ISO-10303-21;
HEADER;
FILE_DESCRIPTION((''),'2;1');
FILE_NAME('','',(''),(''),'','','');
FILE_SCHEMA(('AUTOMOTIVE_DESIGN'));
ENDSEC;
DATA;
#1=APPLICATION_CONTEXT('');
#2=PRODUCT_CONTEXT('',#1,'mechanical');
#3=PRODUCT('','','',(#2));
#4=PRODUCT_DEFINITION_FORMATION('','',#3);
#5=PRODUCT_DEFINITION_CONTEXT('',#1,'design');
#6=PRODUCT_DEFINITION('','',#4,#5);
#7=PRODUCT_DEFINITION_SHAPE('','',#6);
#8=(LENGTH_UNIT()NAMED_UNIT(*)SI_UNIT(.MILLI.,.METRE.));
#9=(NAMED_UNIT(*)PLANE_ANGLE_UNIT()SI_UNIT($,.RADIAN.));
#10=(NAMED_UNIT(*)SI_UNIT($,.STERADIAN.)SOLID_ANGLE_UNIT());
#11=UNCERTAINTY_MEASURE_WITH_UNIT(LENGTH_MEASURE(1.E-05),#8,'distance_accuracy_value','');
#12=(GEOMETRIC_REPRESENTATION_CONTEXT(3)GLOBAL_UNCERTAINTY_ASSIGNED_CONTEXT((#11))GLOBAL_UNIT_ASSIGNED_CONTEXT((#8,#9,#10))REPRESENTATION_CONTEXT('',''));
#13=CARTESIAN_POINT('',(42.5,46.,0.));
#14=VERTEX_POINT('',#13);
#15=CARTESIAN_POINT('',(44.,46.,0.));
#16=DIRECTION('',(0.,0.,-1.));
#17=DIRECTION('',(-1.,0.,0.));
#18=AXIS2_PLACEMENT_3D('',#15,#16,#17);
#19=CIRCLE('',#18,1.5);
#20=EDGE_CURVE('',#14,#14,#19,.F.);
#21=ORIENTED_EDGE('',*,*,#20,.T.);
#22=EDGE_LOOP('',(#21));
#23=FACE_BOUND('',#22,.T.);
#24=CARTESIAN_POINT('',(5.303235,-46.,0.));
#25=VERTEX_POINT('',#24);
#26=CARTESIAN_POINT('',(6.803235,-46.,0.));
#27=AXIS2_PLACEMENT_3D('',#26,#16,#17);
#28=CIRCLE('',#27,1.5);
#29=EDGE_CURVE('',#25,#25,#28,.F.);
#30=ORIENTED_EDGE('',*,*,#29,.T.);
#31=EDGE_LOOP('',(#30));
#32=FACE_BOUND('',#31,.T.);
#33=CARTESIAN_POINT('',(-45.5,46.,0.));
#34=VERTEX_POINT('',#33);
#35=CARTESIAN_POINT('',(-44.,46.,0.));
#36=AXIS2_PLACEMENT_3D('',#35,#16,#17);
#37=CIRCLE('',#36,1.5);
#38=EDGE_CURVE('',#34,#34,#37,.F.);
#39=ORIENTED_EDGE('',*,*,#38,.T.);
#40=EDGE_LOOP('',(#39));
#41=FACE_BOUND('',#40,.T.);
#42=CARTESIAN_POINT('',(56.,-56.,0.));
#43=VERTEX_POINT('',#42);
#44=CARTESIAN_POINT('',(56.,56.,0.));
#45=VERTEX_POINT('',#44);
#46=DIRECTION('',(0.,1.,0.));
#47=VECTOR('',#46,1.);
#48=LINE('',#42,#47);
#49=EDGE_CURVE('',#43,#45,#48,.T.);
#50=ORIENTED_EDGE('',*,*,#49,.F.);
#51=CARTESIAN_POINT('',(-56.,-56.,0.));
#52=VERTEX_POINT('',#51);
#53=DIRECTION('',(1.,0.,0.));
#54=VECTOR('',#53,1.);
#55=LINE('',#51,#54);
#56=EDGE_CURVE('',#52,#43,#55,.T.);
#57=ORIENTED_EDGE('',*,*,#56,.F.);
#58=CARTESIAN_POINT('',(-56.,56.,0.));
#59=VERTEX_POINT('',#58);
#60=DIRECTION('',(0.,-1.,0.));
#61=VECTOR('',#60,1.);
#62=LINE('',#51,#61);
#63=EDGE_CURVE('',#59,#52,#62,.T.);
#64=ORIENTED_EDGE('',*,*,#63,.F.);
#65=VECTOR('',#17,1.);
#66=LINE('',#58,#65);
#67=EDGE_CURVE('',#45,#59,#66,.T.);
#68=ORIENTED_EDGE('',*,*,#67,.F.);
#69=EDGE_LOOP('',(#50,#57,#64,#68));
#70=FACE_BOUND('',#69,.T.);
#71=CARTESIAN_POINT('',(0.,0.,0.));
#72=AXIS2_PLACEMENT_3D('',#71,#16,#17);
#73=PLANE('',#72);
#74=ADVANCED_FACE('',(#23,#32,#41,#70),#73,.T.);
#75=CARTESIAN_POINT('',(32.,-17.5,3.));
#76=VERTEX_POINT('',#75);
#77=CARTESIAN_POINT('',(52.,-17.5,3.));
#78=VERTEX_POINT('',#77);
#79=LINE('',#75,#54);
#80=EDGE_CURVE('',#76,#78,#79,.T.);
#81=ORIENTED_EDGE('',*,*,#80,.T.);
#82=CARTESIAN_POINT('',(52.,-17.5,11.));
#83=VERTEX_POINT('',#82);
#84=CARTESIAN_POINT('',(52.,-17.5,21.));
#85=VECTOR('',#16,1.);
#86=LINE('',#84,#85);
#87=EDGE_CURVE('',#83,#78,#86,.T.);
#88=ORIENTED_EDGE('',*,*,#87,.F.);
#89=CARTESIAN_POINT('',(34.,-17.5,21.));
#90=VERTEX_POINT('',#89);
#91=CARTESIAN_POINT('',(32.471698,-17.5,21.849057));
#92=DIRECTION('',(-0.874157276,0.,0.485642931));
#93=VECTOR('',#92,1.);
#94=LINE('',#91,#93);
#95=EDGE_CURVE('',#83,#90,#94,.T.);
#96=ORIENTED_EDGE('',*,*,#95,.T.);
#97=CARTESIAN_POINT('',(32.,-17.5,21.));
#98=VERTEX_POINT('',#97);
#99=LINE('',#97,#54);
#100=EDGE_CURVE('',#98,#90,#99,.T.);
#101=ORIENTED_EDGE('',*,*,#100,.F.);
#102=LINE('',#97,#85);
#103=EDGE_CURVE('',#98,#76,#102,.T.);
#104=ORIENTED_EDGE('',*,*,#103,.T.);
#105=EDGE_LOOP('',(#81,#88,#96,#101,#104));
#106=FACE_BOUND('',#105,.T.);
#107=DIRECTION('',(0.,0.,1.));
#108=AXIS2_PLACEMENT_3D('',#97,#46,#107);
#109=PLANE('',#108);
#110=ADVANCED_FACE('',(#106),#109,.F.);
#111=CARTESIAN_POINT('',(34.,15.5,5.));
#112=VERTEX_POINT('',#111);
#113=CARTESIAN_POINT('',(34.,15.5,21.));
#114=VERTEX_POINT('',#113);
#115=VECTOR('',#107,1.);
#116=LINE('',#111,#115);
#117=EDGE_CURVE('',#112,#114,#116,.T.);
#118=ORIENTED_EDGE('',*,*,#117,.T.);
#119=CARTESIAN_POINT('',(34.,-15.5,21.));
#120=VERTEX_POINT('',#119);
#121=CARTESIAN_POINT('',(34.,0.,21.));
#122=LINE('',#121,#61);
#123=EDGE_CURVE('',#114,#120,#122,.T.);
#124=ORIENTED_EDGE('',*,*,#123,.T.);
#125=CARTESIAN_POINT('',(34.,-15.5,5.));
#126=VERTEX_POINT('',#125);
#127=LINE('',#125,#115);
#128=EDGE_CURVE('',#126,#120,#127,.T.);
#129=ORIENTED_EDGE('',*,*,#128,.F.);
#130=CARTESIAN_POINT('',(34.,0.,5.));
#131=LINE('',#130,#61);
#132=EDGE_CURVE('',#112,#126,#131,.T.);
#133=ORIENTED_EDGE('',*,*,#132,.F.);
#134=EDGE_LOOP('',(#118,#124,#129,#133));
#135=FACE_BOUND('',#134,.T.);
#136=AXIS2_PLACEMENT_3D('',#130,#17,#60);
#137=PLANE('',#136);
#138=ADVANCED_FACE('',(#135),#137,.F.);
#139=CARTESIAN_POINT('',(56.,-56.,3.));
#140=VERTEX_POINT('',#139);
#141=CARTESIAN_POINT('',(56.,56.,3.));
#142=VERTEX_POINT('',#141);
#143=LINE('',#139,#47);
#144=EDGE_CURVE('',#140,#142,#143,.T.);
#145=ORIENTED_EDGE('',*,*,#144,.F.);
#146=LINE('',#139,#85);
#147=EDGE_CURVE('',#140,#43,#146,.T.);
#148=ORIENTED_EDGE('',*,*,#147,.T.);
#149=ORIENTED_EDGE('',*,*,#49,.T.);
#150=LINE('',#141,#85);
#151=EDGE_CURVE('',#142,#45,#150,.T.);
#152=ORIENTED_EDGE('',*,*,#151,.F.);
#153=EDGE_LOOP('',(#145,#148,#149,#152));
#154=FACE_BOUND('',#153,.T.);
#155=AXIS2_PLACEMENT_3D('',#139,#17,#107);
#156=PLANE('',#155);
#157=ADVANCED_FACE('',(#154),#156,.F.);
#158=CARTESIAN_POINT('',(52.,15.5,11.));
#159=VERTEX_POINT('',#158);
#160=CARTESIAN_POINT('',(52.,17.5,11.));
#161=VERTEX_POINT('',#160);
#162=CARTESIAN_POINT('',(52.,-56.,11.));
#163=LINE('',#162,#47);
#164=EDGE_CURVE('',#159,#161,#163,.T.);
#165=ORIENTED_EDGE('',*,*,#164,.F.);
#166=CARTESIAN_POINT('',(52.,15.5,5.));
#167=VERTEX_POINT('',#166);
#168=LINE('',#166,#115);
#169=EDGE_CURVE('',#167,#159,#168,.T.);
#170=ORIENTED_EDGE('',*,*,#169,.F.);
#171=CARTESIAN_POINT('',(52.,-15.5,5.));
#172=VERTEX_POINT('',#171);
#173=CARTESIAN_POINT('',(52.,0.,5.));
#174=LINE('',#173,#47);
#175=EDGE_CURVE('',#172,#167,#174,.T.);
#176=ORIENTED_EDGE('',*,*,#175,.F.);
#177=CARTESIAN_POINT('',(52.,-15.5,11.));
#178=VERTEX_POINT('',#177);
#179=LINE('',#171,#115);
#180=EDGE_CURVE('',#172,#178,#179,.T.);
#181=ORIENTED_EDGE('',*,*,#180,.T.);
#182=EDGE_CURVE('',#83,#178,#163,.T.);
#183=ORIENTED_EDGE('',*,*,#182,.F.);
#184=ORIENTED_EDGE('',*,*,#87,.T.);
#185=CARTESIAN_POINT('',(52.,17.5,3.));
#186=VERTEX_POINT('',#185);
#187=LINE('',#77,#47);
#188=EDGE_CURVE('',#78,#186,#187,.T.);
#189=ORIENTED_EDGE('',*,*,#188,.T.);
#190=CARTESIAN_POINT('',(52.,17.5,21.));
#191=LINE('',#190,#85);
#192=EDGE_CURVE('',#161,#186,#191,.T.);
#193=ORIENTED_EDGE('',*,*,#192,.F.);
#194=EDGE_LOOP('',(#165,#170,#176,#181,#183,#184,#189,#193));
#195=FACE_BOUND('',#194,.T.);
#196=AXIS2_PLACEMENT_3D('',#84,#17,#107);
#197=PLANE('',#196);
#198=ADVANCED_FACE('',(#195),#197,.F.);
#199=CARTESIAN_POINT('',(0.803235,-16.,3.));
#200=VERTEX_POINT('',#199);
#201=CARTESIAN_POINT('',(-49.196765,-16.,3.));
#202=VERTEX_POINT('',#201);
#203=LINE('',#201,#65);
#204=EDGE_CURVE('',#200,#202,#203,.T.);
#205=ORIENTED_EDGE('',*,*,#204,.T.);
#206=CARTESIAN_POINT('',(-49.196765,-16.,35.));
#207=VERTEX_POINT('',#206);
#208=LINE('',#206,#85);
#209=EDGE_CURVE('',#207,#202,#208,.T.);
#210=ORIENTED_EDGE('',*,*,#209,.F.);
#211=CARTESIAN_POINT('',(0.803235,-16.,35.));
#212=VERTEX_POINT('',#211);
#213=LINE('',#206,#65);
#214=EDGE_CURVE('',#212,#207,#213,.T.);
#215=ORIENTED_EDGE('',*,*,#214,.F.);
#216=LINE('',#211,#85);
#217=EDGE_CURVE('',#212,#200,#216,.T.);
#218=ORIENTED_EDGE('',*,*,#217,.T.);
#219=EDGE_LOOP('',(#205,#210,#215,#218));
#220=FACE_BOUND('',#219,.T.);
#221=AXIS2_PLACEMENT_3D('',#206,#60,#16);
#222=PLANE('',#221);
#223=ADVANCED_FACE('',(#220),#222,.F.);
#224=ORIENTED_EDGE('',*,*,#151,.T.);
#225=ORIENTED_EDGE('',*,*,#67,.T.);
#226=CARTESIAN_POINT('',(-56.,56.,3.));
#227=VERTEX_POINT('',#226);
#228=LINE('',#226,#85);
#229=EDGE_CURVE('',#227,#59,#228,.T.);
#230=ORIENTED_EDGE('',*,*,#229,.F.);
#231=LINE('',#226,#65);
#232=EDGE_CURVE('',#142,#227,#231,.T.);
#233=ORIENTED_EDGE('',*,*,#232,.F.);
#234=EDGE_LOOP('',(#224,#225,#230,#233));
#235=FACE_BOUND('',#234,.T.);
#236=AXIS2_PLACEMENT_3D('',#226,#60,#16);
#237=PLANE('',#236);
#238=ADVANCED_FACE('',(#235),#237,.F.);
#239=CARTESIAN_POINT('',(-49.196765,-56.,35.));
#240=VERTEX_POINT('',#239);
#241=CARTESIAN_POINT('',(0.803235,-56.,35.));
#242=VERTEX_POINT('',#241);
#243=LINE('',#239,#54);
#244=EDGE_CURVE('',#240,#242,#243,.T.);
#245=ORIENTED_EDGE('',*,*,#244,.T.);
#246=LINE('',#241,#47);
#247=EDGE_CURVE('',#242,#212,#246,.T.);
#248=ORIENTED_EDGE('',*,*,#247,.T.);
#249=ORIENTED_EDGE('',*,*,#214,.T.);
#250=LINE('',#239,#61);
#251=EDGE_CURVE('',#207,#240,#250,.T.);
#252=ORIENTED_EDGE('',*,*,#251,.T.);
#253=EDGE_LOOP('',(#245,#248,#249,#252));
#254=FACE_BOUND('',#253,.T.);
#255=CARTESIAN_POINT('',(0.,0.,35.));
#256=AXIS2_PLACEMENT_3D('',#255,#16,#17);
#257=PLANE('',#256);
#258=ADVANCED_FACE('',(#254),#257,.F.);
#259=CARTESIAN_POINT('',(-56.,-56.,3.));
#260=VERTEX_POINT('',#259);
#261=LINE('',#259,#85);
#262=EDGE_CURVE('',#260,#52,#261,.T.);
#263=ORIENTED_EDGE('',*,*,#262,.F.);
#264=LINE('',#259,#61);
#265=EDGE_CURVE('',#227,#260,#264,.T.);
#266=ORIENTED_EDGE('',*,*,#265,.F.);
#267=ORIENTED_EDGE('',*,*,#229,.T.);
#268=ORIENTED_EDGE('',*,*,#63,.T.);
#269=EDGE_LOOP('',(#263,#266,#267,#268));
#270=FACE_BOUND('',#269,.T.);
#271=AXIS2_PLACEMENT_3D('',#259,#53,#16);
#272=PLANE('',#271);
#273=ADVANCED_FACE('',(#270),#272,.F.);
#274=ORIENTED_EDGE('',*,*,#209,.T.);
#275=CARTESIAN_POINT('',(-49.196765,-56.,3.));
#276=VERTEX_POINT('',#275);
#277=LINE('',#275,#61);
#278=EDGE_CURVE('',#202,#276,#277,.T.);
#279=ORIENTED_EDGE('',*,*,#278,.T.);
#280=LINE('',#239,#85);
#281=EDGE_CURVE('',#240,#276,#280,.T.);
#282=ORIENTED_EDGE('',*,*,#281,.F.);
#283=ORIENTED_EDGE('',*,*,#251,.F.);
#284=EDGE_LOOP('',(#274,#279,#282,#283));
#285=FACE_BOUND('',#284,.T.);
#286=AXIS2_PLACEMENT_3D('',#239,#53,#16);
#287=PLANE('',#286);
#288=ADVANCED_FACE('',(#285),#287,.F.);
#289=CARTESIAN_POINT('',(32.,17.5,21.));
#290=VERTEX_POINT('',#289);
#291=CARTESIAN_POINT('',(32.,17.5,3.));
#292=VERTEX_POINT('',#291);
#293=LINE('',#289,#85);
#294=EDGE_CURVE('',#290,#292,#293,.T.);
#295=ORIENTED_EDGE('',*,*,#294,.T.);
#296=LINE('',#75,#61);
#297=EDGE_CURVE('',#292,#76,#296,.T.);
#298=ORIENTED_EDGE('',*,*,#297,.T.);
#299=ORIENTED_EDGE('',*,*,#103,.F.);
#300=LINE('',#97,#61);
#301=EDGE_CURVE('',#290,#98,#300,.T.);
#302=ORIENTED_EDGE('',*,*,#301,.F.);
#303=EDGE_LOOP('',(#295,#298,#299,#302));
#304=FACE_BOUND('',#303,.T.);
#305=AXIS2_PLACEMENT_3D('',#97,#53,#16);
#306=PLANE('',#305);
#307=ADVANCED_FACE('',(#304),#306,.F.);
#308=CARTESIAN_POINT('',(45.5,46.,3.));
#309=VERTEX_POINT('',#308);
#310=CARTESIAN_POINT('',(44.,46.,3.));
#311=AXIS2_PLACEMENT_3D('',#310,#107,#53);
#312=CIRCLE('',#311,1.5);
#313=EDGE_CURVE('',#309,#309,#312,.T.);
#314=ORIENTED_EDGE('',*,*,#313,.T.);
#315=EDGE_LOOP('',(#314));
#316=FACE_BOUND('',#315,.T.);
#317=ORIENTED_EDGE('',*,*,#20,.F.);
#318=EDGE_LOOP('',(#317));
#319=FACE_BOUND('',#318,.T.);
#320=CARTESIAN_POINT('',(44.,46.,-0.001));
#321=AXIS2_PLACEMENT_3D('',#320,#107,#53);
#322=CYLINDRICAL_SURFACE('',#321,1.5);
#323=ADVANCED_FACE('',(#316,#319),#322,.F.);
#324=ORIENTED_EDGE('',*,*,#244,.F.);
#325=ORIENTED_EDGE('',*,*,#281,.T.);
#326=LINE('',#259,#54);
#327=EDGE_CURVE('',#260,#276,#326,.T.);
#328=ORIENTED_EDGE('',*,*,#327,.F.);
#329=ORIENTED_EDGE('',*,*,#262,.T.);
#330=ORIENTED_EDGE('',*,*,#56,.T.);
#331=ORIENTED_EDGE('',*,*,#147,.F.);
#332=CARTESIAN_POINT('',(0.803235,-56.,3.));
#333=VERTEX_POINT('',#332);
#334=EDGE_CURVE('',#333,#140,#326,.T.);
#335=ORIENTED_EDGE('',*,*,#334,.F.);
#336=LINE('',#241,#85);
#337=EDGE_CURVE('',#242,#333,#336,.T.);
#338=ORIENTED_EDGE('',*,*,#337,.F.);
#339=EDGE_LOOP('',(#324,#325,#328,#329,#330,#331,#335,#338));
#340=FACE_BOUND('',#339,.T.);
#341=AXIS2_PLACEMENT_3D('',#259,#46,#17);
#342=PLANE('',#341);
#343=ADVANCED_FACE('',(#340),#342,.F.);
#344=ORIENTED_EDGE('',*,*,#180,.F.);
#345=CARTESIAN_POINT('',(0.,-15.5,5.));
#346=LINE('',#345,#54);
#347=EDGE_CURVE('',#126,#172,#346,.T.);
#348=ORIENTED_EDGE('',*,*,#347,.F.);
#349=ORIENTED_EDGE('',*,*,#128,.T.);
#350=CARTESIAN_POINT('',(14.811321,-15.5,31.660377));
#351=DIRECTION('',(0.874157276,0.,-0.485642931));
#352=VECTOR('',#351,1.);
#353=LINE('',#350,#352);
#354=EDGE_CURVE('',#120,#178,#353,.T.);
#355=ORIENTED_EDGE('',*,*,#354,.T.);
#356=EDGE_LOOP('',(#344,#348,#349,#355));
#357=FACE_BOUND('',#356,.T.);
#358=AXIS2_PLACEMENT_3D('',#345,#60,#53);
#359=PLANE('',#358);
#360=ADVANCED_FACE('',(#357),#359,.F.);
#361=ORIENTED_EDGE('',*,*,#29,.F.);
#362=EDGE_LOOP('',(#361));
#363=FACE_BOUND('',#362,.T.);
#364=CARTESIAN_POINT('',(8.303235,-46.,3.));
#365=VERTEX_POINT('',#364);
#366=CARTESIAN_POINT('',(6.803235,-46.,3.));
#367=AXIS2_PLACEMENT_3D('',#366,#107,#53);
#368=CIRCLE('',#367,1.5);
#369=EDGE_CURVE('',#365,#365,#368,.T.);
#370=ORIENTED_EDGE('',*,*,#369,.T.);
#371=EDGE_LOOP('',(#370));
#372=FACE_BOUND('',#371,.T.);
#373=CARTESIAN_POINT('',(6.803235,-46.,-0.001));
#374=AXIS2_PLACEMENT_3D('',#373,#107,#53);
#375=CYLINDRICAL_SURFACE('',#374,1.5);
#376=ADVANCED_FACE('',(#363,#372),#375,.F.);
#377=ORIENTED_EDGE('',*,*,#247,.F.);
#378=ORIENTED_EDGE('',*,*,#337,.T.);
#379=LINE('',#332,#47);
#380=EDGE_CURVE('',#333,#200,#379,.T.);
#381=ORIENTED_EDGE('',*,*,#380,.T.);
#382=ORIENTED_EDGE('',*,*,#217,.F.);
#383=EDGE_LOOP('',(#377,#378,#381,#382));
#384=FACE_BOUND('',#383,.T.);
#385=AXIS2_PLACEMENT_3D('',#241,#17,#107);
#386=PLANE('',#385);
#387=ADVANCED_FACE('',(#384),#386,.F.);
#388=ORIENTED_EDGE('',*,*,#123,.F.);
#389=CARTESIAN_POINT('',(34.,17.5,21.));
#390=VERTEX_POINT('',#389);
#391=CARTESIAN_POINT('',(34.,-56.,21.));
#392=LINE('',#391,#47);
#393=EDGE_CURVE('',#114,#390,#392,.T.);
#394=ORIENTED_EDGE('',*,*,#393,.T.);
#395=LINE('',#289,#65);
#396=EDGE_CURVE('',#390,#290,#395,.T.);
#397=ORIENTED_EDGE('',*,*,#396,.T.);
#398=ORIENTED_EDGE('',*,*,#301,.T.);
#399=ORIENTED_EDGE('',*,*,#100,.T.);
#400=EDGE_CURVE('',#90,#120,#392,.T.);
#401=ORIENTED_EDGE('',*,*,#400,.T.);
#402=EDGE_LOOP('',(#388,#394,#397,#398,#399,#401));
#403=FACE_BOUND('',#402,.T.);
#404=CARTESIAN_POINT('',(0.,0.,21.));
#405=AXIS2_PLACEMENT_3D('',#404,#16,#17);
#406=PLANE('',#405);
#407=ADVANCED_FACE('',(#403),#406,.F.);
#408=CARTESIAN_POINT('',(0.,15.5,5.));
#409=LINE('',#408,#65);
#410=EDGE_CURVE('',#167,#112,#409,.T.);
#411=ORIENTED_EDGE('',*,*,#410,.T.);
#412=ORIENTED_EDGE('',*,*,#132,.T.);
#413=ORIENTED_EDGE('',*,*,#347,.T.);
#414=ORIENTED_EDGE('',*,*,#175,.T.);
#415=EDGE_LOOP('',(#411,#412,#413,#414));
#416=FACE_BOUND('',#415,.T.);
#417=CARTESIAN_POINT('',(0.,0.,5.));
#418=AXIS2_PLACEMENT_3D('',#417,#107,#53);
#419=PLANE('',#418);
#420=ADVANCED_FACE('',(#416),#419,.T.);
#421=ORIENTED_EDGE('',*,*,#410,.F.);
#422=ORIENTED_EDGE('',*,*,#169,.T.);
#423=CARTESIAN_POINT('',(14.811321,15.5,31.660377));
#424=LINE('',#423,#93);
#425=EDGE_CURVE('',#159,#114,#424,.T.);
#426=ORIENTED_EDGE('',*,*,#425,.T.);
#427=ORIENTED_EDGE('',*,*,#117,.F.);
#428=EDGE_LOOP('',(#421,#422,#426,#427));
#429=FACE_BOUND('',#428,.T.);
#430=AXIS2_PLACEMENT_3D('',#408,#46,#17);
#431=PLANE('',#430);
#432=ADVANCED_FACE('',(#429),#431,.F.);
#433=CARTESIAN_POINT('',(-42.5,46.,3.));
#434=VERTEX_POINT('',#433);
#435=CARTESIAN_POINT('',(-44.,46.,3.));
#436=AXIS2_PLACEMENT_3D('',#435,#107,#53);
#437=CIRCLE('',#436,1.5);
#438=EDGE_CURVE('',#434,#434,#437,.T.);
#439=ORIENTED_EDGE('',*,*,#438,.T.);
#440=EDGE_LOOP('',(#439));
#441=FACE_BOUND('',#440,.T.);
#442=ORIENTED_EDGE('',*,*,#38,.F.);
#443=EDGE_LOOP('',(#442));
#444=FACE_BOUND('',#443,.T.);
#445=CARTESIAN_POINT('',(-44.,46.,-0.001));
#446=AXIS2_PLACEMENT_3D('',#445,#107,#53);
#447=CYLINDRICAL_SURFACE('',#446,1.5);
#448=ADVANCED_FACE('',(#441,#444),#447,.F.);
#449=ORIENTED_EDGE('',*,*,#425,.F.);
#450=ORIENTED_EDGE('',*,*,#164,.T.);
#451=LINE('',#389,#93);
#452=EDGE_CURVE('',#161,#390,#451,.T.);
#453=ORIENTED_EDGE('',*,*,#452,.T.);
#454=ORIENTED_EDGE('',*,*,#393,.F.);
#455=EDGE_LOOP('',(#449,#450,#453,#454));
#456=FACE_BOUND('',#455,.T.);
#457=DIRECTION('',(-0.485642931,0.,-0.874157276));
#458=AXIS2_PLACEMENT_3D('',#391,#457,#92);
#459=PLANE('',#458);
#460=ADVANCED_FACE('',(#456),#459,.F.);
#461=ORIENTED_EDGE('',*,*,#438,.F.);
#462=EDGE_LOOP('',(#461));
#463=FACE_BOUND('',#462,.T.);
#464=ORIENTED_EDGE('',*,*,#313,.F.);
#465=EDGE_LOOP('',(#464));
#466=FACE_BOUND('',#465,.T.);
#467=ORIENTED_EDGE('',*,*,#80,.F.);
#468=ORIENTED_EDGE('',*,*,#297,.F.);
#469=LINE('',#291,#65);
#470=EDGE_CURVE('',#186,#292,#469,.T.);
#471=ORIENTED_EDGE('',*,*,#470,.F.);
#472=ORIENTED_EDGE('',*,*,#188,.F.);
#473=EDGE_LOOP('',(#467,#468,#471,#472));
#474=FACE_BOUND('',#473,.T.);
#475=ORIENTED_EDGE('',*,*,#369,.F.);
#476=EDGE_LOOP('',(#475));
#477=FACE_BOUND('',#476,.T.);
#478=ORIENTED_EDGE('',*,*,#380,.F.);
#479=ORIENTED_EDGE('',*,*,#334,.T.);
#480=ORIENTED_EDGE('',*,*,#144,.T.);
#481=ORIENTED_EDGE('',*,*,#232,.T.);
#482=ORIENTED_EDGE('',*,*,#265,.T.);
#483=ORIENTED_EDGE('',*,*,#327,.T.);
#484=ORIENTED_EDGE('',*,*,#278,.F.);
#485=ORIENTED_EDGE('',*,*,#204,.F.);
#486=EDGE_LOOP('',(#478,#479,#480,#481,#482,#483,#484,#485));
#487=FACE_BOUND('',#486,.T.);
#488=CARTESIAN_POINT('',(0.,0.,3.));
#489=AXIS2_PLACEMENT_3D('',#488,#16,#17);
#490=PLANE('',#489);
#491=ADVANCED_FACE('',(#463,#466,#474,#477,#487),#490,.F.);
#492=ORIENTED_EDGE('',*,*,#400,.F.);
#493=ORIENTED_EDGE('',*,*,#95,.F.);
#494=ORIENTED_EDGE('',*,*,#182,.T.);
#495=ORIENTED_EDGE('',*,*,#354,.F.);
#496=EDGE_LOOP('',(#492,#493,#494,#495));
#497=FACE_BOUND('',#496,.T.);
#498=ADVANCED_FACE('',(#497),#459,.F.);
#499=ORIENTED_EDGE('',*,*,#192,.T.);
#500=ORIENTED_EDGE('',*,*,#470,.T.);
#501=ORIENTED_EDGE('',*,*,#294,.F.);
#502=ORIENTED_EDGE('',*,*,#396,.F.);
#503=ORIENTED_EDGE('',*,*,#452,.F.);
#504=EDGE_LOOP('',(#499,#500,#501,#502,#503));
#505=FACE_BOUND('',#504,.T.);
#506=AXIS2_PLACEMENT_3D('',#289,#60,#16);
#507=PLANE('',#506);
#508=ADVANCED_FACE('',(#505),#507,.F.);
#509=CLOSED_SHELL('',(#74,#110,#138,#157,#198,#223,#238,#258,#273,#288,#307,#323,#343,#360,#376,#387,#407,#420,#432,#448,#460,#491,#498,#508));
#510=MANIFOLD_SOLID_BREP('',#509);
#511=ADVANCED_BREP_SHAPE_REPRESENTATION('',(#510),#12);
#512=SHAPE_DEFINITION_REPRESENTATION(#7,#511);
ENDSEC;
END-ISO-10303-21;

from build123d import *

# Parameters (mm, degrees)
SKETCH1_W           = 112
SKETCH1_H           = 112
BOSS_EXTRUDE1_DEPTH = 3
SKETCH2_W           = 50
SKETCH2_H           = 40
BOSS_EXTRUDE2_DEPTH = 32
CUT_EXTRUDE1_REACH  = 5
SKETCH3_R           = 1.5
SKETCH4_W           = 20
SKETCH4_H           = 35
BOSS_EXTRUDE3_DEPTH = 18
SKETCH5_W           = 18
SKETCH5_H           = 31
CUT_EXTRUDE2_DEPTH  = 16
CUT_EXTRUDE3_DEPTH  = 74.5


with BuildPart() as part:
    # Sketch1 → Boss-Extrude1 (new body)
    with BuildSketch(Plane.XY):
        Rectangle(SKETCH1_W, SKETCH1_H)
    extrude(amount=BOSS_EXTRUDE1_DEPTH)

    # Sketch2 → Boss-Extrude2 (add)
    with BuildSketch(Plane.XY.offset(3)):
        with Locations((-24.196765027, -36)):
            Rectangle(SKETCH2_W, SKETCH2_H)
    extrude(amount=BOSS_EXTRUDE2_DEPTH)

    # Sketch3 → Cut-Extrude1 (cut, up to next)
    with BuildSketch(Plane.XY.offset(3), mode=Mode.PRIVATE) as cut_extrude1_sk1:
        with Locations((-44, 46)):
            Circle(SKETCH3_R)
    cut_extrude1_tool1 = extrude(cut_extrude1_sk1.sketch, amount=-CUT_EXTRUDE1_REACH, mode=Mode.PRIVATE) & part.part
    add(cut_extrude1_tool1.solids().sort_by_distance((-44, 46, 3))[0], mode=Mode.SUBTRACT)
    # Sketch3 → Cut-Extrude1 (cut, up to next)
    with BuildSketch(Plane.XY.offset(3), mode=Mode.PRIVATE) as cut_extrude1_sk2:
        with Locations((44, 46)):
            Circle(SKETCH3_R)
    cut_extrude1_tool2 = extrude(cut_extrude1_sk2.sketch, amount=-CUT_EXTRUDE1_REACH, mode=Mode.PRIVATE) & part.part
    add(cut_extrude1_tool2.solids().sort_by_distance((44, 46, 3))[0], mode=Mode.SUBTRACT)
    # Sketch3 → Cut-Extrude1 (cut, up to next)
    with BuildSketch(Plane.XY.offset(3), mode=Mode.PRIVATE) as cut_extrude1_sk3:
        with Locations((6.803234973, -46)):
            Circle(SKETCH3_R)
    cut_extrude1_tool3 = extrude(cut_extrude1_sk3.sketch, amount=-CUT_EXTRUDE1_REACH, mode=Mode.PRIVATE) & part.part
    add(cut_extrude1_tool3.solids().sort_by_distance((6.803235, -46, 3))[0], mode=Mode.SUBTRACT)

    # Sketch4 → Boss-Extrude3 (add)
    with BuildSketch(Plane.XY.offset(3)):
        with Locations((42, 0)):
            Rectangle(SKETCH4_W, SKETCH4_H)
    extrude(amount=BOSS_EXTRUDE3_DEPTH)

    # Sketch5 → Cut-Extrude2 (cut)
    with BuildSketch(Plane.XY.offset(21)):
        with Locations((43, 0)):
            Rectangle(SKETCH5_W, SKETCH5_H)
    extrude(amount=-CUT_EXTRUDE2_DEPTH, mode=Mode.SUBTRACT)

    # Sketch6 → Cut-Extrude3 (cut, through all)
    with BuildSketch(Plane(origin=(0, 17.5, 0), x_dir=(1, 0, 0), z_dir=(0, 1, 0))):
        Polygon((34, -21), (52, -11), (52, -21), align=None)
    extrude(amount=-CUT_EXTRUDE3_DEPTH, mode=Mode.SUBTRACT)


solid = part.part
